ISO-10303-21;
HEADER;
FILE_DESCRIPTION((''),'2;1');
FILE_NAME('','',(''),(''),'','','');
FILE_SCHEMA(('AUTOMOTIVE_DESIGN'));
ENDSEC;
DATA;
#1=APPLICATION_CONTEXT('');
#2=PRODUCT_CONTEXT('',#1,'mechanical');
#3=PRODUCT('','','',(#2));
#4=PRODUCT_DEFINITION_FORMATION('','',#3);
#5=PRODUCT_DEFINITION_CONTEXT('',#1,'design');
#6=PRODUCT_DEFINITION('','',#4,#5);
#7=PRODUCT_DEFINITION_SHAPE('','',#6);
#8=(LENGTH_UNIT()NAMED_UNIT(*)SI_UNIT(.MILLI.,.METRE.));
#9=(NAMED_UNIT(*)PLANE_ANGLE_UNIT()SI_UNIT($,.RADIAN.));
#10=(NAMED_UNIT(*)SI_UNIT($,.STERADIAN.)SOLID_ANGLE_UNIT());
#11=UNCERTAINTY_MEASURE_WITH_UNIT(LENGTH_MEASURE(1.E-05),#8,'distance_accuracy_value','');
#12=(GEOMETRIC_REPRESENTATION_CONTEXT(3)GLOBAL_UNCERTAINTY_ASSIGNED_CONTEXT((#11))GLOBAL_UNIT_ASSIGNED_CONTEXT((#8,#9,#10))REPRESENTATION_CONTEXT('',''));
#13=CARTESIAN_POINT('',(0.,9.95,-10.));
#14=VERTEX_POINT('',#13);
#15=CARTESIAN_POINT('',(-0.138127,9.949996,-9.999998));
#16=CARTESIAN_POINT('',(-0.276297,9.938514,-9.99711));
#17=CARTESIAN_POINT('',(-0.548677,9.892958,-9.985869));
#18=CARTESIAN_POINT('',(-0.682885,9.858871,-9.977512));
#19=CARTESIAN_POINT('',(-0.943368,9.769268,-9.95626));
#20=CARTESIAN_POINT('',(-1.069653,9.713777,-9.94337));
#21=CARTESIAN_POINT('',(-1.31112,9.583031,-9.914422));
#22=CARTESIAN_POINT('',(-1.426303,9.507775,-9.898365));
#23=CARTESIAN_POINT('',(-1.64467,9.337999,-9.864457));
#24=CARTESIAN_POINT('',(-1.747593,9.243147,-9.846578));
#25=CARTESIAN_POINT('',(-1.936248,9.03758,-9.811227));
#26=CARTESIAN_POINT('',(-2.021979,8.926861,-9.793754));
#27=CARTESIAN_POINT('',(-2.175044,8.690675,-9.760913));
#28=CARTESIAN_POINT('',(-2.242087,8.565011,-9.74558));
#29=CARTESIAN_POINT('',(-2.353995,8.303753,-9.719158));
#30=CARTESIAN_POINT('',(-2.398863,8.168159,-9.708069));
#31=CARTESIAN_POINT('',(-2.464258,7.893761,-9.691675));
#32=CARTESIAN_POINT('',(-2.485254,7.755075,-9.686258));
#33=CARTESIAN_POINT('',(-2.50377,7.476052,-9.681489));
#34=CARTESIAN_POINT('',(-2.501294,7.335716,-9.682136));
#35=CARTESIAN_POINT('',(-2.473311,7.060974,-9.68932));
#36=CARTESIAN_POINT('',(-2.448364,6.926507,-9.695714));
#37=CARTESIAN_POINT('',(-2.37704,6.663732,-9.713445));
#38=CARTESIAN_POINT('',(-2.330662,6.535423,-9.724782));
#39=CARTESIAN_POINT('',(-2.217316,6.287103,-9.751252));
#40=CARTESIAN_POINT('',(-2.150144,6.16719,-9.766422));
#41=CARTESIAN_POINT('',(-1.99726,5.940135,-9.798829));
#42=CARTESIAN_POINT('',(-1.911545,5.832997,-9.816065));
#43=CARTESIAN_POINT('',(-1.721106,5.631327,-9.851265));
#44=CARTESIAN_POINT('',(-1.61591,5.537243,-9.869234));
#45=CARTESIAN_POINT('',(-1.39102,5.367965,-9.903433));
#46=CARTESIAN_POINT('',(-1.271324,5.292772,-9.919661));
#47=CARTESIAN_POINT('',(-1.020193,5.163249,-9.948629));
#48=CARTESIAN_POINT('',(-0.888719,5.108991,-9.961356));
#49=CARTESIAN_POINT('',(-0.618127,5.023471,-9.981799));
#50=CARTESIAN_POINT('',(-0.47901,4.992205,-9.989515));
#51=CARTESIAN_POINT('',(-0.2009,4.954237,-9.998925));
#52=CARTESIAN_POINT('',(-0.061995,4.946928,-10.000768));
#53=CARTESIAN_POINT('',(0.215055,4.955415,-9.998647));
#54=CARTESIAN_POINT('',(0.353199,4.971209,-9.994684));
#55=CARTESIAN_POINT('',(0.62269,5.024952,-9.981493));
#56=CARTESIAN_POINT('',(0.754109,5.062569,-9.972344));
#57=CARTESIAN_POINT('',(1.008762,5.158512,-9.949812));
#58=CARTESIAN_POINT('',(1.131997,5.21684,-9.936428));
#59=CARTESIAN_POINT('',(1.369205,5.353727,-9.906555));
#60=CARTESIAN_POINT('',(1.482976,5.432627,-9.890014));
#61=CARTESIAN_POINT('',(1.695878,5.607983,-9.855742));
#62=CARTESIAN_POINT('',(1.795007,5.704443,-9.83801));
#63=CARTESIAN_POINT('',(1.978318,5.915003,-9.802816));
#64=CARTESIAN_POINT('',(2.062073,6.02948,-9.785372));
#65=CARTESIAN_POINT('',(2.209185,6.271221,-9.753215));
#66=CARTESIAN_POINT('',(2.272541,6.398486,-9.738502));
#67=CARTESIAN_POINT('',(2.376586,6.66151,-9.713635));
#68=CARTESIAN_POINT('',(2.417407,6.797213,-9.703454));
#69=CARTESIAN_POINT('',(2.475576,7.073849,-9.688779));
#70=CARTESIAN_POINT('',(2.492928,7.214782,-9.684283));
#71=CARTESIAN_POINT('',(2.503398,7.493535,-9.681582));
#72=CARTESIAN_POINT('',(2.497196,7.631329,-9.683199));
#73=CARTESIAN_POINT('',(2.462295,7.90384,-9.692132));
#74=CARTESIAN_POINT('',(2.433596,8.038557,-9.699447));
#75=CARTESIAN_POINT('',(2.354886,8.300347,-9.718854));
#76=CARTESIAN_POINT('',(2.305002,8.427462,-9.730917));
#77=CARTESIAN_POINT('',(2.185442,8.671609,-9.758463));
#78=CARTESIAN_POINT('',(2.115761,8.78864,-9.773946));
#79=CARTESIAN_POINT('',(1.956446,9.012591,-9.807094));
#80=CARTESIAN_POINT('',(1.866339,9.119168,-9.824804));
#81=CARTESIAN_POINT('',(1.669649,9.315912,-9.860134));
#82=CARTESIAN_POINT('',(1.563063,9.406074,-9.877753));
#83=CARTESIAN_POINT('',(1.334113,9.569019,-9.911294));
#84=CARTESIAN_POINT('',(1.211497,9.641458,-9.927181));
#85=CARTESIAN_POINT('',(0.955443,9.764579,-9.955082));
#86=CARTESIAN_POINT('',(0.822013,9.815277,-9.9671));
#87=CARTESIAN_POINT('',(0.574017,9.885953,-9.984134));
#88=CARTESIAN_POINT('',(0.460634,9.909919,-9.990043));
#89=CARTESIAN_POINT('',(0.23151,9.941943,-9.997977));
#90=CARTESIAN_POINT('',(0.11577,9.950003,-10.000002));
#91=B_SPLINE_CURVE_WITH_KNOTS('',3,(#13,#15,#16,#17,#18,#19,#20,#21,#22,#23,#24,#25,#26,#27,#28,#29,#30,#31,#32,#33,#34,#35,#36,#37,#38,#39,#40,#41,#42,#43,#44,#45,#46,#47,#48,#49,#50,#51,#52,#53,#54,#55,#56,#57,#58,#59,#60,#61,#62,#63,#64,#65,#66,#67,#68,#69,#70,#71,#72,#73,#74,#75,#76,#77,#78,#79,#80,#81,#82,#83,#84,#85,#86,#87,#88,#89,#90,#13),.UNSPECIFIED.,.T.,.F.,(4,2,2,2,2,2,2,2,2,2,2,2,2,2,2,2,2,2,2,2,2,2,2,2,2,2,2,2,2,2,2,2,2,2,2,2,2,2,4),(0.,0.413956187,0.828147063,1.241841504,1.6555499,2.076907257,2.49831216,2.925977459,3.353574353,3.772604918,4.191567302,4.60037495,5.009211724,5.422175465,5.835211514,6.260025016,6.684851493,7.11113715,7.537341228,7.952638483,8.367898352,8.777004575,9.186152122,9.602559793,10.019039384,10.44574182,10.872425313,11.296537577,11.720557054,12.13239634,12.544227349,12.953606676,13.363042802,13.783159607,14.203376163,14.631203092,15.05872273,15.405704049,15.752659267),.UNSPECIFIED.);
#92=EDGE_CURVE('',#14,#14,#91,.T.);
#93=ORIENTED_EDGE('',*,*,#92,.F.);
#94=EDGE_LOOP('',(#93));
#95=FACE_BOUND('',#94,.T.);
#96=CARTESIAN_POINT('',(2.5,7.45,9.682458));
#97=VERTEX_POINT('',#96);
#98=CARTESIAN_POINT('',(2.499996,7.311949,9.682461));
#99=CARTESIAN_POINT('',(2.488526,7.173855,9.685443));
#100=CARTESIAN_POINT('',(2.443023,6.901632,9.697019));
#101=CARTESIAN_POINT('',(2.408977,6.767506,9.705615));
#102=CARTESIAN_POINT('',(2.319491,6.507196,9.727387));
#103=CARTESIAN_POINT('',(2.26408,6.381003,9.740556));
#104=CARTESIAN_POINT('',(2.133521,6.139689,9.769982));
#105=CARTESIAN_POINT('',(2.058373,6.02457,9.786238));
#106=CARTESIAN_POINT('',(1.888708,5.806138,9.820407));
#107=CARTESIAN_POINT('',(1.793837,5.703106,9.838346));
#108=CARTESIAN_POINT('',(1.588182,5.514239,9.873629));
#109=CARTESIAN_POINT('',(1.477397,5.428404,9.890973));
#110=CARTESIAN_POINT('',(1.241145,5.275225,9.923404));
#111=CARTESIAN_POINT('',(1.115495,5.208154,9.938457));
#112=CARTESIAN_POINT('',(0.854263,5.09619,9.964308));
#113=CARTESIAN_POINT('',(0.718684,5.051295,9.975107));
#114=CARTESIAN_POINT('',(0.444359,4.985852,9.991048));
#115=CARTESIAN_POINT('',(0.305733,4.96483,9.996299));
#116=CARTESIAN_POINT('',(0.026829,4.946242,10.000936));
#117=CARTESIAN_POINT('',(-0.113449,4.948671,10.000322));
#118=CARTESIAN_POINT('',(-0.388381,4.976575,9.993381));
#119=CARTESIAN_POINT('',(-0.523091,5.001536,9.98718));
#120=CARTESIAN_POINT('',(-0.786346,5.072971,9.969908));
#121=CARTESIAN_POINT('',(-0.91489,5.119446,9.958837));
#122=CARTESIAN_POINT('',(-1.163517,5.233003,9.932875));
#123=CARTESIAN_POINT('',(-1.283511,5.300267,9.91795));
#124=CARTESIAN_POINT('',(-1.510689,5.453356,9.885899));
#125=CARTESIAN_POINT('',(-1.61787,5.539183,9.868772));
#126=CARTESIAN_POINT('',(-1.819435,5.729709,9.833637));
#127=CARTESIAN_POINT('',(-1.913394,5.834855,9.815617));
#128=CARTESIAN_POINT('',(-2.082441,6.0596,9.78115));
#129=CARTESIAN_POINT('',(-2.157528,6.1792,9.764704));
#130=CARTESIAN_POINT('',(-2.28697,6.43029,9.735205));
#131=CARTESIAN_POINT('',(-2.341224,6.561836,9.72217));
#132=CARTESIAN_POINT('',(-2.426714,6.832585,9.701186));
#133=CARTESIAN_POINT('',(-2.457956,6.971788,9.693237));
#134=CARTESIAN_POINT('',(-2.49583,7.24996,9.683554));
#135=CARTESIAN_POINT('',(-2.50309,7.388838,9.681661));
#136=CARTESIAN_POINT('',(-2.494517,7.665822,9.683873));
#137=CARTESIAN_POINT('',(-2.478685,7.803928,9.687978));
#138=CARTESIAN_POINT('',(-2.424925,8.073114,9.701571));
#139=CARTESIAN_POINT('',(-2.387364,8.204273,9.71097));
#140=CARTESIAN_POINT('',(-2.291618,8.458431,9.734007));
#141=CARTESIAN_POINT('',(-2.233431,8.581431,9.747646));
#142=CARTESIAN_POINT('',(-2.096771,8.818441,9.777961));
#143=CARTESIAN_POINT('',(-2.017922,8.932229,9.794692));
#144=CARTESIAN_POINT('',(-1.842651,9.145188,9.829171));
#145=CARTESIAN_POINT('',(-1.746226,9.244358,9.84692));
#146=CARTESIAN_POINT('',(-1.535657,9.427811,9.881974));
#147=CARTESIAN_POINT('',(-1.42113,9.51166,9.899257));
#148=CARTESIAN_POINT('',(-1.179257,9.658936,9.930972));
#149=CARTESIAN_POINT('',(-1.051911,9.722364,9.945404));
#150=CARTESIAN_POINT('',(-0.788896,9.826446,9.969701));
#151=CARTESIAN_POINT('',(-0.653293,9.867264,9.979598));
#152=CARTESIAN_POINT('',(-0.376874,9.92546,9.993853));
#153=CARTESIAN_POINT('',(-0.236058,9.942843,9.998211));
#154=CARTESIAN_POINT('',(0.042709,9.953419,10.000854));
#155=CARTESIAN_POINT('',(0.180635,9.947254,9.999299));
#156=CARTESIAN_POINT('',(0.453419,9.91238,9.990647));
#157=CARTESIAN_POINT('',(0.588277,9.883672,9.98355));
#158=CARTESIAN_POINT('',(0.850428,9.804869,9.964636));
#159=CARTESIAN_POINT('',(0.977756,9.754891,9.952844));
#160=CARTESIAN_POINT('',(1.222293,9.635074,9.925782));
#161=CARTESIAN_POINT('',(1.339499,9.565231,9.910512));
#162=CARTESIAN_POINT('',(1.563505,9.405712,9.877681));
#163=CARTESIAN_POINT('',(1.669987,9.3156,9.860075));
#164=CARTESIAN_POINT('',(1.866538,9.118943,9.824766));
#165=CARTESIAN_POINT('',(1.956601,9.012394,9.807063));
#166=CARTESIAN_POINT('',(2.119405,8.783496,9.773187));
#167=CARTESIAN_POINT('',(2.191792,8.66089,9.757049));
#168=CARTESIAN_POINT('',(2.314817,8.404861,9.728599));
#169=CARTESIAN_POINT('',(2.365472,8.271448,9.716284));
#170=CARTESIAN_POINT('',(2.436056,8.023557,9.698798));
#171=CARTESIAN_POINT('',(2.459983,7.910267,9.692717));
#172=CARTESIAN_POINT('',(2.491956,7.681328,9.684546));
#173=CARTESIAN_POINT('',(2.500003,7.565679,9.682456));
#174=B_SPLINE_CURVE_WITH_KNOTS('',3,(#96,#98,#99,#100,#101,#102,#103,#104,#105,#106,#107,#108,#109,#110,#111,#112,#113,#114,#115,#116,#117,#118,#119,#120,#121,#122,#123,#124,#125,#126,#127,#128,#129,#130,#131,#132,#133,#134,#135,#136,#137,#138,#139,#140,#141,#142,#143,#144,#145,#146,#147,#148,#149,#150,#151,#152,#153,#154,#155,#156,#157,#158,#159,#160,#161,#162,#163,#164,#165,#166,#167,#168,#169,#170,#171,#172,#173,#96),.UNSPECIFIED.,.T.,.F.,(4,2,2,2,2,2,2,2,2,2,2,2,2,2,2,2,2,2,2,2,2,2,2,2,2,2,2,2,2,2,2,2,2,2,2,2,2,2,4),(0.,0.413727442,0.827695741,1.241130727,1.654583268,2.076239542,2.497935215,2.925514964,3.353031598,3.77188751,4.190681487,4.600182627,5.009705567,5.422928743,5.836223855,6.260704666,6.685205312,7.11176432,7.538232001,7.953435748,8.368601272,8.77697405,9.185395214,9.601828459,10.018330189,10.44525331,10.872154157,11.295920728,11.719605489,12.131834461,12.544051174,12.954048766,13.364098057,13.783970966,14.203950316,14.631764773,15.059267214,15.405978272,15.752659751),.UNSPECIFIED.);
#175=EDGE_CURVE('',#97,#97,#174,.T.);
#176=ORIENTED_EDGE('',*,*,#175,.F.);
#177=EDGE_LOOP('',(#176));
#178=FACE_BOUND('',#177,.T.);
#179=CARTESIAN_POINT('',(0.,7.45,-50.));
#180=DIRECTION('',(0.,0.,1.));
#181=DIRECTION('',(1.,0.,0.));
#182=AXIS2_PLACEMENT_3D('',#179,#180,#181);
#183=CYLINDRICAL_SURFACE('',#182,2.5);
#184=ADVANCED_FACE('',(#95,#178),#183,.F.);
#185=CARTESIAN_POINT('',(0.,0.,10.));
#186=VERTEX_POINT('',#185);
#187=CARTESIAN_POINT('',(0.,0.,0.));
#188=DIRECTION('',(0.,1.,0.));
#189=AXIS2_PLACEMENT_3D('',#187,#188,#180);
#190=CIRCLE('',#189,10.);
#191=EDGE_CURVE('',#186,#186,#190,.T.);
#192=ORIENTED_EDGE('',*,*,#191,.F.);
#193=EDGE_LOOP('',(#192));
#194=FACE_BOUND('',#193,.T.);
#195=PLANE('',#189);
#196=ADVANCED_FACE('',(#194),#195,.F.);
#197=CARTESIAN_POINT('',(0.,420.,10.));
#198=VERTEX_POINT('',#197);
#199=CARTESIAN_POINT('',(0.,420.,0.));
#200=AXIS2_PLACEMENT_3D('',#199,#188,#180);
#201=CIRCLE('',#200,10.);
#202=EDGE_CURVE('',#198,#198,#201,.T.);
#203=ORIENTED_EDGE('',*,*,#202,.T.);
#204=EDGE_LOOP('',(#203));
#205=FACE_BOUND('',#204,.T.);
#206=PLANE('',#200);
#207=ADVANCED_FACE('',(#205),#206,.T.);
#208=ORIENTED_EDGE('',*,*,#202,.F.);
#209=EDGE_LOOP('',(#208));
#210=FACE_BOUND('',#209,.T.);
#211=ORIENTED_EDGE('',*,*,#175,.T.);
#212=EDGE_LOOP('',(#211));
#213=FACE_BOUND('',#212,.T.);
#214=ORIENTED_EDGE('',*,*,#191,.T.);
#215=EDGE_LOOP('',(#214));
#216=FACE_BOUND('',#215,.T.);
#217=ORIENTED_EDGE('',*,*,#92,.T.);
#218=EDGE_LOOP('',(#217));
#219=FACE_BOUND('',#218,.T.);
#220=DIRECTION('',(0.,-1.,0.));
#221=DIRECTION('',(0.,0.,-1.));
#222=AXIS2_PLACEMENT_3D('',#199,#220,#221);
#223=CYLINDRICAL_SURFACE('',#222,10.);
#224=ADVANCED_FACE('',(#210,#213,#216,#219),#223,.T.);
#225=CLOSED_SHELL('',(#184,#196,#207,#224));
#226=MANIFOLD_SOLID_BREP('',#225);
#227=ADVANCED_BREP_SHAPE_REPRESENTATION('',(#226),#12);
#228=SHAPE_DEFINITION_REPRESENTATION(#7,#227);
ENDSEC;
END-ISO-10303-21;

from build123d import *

# Parameters (mm, degrees)
SKETCH1_R           = 10
BOSS_EXTRUDE1_DEPTH = 420
SKETCH3_R           = 2.5
CUT_EXTRUDE1_DEPTH  = 50


with BuildPart() as part:
    # Sketch1 → Boss-Extrude1 (new body)
    with BuildSketch(Plane(origin=(0, 0, 0), x_dir=(1, 0, 0), z_dir=(0, 1, 0))):
        with Locations(Location((0, 0, 0), (0, 0, 270))):
            Circle(SKETCH1_R)
    extrude(amount=BOSS_EXTRUDE1_DEPTH)

    # Sketch3 → Cut-Extrude1 (cut, symmetric)
    with BuildSketch(Plane.XY):
        with Locations(Location((0, 7.45, 0), (0, 0, 90.000000004))):
            Circle(SKETCH3_R)
    extrude(amount=CUT_EXTRUDE1_DEPTH, both=True, mode=Mode.SUBTRACT)


solid = part.part
